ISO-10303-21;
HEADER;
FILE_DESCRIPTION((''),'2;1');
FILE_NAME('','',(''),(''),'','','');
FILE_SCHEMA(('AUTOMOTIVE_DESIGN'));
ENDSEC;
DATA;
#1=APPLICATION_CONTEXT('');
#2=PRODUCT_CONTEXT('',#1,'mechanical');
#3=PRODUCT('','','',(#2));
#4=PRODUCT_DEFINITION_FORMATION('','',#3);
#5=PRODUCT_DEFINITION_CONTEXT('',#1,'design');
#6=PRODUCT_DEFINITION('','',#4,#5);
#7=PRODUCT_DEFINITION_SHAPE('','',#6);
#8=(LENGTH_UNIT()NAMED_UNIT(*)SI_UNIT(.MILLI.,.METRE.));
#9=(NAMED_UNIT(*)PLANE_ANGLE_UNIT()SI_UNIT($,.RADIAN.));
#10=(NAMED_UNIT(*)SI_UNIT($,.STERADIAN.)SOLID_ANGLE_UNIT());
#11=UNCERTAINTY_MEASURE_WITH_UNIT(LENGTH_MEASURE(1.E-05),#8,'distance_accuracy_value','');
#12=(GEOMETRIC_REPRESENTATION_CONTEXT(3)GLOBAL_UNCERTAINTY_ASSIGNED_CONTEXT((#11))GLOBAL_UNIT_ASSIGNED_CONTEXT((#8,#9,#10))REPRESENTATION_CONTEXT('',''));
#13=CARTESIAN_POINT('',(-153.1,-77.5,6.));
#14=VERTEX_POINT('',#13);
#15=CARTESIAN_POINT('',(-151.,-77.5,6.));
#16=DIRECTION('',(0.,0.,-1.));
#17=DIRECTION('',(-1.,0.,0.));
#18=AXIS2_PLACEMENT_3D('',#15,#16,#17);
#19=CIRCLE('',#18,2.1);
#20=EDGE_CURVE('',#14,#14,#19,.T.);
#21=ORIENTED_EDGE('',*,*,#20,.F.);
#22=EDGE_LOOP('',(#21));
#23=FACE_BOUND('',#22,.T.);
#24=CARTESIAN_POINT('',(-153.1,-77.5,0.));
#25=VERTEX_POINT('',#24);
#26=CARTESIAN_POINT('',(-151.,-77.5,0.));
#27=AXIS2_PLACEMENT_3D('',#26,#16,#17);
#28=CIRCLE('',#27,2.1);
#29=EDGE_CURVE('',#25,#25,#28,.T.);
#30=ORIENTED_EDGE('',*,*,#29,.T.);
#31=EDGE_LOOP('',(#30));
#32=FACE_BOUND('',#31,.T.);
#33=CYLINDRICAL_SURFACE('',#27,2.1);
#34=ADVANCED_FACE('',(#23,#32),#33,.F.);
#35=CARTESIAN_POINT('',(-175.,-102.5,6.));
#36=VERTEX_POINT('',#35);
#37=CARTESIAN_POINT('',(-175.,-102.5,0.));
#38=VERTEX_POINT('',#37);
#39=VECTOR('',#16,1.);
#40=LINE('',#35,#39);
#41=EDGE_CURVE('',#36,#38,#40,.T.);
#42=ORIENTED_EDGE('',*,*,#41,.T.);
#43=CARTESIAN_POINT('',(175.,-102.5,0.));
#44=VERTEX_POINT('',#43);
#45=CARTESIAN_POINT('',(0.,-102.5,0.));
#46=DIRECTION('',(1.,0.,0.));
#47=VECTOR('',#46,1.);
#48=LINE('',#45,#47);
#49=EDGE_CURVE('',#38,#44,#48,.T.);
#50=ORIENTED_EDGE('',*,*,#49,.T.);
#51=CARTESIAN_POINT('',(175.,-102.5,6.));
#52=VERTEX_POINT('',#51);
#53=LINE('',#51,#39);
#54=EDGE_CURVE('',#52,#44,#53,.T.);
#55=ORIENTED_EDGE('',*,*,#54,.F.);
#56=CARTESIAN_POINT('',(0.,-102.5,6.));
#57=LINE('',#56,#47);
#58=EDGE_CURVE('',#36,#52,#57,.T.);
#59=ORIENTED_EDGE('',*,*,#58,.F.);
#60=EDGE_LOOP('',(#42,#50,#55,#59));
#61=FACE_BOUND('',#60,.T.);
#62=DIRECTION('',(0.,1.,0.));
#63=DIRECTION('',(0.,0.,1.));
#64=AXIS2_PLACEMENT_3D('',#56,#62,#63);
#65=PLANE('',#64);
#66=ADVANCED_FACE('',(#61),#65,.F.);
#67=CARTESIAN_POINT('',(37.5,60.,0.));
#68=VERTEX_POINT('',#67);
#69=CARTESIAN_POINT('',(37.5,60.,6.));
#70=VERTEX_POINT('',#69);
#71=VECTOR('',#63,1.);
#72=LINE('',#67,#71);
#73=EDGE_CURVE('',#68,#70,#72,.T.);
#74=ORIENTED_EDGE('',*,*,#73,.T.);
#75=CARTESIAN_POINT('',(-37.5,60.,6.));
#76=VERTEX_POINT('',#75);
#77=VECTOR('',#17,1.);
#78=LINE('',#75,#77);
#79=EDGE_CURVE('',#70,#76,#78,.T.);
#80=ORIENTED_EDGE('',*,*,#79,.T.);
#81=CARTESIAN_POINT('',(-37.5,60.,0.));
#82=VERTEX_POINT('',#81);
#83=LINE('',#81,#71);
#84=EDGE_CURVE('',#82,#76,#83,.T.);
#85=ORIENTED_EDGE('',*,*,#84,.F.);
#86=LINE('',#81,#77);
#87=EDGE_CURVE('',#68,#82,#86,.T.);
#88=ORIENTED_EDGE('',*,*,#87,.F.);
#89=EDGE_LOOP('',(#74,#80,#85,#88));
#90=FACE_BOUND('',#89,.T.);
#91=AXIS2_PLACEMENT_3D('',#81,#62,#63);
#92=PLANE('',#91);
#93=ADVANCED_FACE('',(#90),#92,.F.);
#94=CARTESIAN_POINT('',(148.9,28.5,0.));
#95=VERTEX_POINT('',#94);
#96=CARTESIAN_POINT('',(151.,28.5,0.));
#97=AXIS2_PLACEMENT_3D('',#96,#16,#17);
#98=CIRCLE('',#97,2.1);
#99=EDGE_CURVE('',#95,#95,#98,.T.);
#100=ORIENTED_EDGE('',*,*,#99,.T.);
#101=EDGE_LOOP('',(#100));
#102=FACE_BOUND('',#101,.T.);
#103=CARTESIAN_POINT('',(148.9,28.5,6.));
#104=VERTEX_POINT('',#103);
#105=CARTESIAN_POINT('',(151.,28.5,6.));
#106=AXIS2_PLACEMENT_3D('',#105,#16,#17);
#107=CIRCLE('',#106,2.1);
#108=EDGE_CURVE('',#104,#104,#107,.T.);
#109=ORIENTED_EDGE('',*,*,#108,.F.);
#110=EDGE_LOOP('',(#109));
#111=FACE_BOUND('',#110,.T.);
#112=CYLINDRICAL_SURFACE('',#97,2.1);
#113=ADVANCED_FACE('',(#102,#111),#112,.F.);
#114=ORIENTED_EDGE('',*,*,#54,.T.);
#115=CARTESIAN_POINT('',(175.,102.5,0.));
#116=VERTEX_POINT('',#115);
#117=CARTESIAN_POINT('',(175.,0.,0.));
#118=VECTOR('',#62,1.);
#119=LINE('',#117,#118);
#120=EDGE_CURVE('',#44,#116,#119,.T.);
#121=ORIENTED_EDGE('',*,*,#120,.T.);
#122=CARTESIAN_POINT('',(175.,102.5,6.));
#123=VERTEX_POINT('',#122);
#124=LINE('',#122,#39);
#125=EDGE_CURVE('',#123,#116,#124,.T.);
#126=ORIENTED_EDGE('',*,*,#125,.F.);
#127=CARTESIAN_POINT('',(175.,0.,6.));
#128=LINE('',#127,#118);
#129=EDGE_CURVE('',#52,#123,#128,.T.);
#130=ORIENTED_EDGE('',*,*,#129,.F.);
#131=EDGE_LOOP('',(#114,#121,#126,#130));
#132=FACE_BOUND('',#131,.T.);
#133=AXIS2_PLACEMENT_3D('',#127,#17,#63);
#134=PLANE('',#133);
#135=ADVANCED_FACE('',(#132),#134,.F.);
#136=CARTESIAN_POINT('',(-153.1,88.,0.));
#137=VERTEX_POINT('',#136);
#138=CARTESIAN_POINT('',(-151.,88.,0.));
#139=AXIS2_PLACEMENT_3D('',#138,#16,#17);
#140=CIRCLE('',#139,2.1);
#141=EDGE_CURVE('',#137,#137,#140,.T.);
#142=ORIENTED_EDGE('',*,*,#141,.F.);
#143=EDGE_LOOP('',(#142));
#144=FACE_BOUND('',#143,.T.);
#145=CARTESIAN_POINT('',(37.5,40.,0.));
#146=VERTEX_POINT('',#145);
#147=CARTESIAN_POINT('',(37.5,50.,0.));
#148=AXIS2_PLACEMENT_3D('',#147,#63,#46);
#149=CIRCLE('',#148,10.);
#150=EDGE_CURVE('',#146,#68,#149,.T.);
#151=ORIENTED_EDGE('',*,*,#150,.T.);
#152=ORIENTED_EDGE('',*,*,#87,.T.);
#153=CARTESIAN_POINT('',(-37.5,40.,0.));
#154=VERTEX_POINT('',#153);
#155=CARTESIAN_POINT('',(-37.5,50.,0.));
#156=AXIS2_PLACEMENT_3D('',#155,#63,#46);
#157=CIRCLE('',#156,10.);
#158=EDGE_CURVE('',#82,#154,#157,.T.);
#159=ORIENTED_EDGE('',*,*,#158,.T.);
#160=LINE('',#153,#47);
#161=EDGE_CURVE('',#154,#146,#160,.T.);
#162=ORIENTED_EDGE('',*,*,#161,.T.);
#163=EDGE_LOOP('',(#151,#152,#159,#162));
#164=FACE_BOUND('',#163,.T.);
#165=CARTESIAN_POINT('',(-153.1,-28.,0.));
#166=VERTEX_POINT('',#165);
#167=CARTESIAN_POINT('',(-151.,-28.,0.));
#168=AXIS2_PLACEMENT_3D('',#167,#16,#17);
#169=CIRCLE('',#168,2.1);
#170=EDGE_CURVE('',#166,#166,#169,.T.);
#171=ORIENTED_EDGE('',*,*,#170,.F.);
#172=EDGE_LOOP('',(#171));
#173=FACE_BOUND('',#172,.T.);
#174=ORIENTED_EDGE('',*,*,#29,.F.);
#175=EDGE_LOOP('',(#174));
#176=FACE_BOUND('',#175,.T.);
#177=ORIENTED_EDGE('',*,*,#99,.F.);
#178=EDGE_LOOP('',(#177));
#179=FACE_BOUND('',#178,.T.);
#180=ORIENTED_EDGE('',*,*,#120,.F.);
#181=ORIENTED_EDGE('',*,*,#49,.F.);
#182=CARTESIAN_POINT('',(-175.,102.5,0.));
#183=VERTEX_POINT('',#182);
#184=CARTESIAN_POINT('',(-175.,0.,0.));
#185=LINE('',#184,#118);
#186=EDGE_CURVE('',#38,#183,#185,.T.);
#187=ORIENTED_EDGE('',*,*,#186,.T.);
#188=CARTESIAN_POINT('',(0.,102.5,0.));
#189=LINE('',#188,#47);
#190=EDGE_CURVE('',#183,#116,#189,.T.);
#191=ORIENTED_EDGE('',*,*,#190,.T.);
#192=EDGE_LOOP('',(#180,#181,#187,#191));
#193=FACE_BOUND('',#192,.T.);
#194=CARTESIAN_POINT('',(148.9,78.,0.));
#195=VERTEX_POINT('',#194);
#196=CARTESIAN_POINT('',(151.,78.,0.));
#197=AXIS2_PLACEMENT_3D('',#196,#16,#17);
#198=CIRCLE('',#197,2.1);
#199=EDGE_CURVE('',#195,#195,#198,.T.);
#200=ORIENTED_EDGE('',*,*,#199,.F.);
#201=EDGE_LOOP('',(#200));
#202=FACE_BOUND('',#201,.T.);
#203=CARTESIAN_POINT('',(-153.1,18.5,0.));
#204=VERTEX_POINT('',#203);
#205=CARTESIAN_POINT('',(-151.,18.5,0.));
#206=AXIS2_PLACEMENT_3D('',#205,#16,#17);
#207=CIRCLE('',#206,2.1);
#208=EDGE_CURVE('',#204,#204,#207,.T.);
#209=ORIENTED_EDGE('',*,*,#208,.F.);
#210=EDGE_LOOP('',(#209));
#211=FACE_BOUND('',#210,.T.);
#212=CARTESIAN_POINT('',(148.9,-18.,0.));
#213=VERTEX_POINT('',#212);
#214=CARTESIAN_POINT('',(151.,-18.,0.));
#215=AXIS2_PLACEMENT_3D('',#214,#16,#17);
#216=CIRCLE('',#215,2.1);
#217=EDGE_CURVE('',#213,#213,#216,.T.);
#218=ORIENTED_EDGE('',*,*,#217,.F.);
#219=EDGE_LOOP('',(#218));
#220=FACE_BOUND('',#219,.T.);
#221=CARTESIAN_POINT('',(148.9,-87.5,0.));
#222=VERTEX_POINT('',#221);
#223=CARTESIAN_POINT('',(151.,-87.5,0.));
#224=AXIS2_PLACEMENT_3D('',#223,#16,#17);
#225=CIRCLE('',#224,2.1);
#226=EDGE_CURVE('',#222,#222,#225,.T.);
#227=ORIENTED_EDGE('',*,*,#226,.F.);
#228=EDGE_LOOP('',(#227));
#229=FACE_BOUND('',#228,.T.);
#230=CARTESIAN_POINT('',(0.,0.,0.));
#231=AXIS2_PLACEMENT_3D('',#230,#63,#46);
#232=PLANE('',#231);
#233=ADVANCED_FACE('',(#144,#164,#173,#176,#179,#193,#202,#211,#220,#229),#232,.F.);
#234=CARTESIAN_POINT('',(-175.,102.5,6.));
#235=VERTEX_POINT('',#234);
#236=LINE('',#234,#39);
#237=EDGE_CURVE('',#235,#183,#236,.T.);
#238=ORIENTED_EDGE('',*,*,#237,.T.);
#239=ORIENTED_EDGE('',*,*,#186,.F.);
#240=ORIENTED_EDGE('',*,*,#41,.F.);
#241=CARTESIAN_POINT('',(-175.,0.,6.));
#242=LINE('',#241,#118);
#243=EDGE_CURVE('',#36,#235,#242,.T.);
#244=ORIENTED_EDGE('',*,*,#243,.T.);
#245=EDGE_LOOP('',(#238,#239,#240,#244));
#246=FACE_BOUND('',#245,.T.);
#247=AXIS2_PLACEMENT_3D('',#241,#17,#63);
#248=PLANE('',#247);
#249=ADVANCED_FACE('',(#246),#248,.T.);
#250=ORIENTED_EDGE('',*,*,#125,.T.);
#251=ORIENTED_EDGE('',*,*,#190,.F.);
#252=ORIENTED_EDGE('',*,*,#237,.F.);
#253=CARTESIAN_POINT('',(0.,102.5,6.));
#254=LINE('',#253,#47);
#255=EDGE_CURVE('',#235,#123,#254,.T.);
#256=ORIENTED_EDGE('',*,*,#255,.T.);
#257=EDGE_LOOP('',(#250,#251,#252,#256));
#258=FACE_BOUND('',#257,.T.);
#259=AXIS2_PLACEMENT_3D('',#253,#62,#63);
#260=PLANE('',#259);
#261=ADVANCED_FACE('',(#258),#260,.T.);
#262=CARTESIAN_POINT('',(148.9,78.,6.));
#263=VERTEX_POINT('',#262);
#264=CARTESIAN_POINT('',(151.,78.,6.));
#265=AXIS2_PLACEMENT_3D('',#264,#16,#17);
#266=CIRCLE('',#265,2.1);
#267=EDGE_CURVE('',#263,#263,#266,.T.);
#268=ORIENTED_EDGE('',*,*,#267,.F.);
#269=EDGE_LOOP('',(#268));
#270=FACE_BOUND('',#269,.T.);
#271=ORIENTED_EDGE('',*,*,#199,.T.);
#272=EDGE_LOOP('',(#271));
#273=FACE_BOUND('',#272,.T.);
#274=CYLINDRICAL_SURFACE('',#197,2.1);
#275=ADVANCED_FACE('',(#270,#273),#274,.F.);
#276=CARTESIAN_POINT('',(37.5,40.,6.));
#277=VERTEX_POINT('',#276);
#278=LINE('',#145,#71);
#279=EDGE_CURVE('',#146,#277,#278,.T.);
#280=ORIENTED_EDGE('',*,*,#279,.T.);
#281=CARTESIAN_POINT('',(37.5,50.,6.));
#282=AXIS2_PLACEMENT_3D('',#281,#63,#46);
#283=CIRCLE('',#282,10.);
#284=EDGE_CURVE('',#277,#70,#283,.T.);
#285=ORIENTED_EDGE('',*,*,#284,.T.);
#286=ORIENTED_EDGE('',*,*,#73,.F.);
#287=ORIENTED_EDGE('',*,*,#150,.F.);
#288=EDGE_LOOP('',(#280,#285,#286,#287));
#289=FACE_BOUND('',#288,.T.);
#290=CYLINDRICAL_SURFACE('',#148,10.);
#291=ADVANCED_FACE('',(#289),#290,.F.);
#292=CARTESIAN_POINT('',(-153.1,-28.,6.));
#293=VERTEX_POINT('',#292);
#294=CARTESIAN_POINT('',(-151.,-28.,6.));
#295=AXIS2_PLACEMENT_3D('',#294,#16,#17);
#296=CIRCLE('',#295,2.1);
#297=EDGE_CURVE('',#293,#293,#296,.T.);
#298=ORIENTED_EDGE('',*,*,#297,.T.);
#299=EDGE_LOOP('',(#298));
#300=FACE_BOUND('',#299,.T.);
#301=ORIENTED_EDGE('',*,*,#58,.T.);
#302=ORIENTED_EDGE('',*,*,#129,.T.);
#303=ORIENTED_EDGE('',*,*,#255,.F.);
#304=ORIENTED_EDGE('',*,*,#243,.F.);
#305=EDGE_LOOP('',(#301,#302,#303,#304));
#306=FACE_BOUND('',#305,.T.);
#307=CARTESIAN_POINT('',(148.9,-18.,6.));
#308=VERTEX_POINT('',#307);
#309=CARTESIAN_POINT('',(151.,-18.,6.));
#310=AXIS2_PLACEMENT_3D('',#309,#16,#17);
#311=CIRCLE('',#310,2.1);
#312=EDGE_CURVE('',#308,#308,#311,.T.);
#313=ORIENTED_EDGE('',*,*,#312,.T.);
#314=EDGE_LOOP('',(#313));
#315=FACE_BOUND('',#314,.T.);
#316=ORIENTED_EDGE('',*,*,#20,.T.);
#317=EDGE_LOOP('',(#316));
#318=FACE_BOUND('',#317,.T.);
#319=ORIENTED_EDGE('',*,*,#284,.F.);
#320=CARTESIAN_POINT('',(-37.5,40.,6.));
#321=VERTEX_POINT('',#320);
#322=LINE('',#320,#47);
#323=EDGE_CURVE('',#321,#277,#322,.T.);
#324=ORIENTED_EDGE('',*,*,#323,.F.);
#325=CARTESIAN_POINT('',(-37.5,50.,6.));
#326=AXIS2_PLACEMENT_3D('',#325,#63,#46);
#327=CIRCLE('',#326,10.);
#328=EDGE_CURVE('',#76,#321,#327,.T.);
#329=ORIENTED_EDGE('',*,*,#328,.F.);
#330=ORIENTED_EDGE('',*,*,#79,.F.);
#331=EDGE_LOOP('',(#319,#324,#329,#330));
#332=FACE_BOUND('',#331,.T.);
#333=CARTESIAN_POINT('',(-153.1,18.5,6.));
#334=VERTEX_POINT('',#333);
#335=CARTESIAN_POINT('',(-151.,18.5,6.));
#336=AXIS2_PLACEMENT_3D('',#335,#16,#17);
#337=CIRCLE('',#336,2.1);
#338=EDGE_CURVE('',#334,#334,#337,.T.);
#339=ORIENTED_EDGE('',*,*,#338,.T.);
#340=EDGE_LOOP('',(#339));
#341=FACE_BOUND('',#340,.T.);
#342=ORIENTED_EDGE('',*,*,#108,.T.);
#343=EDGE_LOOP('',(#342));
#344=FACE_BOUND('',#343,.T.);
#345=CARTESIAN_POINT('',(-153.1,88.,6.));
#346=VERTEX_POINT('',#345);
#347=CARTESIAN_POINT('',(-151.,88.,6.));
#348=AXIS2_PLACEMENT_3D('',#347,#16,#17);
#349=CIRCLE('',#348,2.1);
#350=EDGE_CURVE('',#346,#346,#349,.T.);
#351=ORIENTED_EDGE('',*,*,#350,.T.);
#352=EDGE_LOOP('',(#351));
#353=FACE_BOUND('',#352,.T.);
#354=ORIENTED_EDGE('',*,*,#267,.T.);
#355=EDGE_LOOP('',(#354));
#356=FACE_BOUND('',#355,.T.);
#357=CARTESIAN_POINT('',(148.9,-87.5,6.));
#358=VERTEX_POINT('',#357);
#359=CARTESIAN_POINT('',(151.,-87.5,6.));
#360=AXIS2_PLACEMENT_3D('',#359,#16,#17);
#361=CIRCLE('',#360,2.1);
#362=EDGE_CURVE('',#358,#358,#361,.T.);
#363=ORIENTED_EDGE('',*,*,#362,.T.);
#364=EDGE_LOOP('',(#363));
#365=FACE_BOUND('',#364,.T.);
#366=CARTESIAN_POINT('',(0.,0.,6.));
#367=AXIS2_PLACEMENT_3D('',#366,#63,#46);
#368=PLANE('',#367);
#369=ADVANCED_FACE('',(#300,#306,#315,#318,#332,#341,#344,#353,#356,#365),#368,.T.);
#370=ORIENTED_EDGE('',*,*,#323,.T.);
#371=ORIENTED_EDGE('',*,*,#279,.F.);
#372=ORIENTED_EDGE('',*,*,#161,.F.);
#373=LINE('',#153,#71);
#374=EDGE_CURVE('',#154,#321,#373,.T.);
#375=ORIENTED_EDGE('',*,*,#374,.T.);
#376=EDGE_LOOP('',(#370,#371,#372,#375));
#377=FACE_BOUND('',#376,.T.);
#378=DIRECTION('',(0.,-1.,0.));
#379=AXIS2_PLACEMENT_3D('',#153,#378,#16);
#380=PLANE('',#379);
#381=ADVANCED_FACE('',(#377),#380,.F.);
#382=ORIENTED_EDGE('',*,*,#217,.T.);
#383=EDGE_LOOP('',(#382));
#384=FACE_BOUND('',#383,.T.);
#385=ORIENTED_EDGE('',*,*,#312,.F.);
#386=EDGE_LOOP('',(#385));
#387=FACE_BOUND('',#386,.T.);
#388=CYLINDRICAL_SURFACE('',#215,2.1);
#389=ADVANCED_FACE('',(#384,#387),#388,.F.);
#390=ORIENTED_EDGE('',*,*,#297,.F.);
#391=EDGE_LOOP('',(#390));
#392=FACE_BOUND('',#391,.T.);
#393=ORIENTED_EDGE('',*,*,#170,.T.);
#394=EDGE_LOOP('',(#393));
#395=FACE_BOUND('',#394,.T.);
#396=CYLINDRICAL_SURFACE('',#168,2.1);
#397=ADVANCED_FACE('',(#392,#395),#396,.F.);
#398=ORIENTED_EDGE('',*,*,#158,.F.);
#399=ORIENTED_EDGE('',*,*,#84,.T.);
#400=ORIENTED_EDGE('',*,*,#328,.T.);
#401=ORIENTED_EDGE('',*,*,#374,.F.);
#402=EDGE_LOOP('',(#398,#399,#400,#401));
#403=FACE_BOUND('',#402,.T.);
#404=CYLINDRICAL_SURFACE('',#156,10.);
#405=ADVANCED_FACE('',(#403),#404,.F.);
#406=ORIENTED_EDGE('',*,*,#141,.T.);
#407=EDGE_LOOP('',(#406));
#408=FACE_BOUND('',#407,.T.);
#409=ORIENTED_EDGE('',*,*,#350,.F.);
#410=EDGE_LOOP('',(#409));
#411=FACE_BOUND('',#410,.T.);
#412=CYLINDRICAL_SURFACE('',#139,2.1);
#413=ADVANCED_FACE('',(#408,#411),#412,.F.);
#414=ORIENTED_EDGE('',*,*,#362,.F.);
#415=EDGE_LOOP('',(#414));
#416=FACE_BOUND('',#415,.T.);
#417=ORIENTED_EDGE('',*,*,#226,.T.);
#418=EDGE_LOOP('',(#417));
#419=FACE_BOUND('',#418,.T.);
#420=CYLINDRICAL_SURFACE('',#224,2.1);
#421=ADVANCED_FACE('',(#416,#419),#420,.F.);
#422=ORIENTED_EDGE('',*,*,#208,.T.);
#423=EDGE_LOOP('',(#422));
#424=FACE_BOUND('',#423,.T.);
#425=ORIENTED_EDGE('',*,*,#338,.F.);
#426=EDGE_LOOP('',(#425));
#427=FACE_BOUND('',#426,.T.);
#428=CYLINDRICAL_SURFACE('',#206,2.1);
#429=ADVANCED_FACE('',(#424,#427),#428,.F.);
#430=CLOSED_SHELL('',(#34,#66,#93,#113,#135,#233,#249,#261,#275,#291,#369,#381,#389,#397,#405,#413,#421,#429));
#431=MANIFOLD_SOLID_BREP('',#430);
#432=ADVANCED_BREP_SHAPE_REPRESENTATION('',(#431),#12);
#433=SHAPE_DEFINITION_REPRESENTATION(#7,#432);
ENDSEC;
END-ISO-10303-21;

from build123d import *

# Parameters (mm, degrees)
ESBO_O1_W                    = 350
ESBO_O1_H                    = 205
RESSALTO_EXTRUS_O1_DEPTH     = 6
CORTE_EXTRUS_O1_DEPTH        = 203.897141429
FURO_DE_DI_METRO_4_2_4_2_1_D = 4.2


with BuildPart() as part:
    # Esboço1 → Ressalto-extrusão1 (new body)
    with BuildSketch(Plane.XY):
        Rectangle(ESBO_O1_W, ESBO_O1_H)
    extrude(amount=RESSALTO_EXTRUS_O1_DEPTH)

    # Esboço2 → Corte-extrusão1 (cut, through all)
    with BuildSketch(Plane.XY.offset(6)):
        with BuildLine():
            Line((-37.5, 60), (37.5, 60))
            ThreePointArc((37.5, 60), (47.5, 50), (37.5, 40))
            Line((37.5, 40), (-37.5, 40))
            ThreePointArc((-37.5, 40), (-47.5, 50), (-37.5, 60))
        make_face()
    extrude(amount=-CORTE_EXTRUS_O1_DEPTH, mode=Mode.SUBTRACT)

    # Furo de diâmetro Ø4.2 (4.2)1 (through all)
    with Locations(Plane(origin=(0, 0, 0), x_dir=(-1, 0, 0), z_dir=(0, 0, -1))):
        with Locations((-151, -87.5), (-151, -18), (-151, 28.5), (-151, 78), (151, -77.5), (151, -28), (151, 18.5), (151, 88)):
            Hole(FURO_DE_DI_METRO_4_2_4_2_1_D / 2)


solid = part.part
